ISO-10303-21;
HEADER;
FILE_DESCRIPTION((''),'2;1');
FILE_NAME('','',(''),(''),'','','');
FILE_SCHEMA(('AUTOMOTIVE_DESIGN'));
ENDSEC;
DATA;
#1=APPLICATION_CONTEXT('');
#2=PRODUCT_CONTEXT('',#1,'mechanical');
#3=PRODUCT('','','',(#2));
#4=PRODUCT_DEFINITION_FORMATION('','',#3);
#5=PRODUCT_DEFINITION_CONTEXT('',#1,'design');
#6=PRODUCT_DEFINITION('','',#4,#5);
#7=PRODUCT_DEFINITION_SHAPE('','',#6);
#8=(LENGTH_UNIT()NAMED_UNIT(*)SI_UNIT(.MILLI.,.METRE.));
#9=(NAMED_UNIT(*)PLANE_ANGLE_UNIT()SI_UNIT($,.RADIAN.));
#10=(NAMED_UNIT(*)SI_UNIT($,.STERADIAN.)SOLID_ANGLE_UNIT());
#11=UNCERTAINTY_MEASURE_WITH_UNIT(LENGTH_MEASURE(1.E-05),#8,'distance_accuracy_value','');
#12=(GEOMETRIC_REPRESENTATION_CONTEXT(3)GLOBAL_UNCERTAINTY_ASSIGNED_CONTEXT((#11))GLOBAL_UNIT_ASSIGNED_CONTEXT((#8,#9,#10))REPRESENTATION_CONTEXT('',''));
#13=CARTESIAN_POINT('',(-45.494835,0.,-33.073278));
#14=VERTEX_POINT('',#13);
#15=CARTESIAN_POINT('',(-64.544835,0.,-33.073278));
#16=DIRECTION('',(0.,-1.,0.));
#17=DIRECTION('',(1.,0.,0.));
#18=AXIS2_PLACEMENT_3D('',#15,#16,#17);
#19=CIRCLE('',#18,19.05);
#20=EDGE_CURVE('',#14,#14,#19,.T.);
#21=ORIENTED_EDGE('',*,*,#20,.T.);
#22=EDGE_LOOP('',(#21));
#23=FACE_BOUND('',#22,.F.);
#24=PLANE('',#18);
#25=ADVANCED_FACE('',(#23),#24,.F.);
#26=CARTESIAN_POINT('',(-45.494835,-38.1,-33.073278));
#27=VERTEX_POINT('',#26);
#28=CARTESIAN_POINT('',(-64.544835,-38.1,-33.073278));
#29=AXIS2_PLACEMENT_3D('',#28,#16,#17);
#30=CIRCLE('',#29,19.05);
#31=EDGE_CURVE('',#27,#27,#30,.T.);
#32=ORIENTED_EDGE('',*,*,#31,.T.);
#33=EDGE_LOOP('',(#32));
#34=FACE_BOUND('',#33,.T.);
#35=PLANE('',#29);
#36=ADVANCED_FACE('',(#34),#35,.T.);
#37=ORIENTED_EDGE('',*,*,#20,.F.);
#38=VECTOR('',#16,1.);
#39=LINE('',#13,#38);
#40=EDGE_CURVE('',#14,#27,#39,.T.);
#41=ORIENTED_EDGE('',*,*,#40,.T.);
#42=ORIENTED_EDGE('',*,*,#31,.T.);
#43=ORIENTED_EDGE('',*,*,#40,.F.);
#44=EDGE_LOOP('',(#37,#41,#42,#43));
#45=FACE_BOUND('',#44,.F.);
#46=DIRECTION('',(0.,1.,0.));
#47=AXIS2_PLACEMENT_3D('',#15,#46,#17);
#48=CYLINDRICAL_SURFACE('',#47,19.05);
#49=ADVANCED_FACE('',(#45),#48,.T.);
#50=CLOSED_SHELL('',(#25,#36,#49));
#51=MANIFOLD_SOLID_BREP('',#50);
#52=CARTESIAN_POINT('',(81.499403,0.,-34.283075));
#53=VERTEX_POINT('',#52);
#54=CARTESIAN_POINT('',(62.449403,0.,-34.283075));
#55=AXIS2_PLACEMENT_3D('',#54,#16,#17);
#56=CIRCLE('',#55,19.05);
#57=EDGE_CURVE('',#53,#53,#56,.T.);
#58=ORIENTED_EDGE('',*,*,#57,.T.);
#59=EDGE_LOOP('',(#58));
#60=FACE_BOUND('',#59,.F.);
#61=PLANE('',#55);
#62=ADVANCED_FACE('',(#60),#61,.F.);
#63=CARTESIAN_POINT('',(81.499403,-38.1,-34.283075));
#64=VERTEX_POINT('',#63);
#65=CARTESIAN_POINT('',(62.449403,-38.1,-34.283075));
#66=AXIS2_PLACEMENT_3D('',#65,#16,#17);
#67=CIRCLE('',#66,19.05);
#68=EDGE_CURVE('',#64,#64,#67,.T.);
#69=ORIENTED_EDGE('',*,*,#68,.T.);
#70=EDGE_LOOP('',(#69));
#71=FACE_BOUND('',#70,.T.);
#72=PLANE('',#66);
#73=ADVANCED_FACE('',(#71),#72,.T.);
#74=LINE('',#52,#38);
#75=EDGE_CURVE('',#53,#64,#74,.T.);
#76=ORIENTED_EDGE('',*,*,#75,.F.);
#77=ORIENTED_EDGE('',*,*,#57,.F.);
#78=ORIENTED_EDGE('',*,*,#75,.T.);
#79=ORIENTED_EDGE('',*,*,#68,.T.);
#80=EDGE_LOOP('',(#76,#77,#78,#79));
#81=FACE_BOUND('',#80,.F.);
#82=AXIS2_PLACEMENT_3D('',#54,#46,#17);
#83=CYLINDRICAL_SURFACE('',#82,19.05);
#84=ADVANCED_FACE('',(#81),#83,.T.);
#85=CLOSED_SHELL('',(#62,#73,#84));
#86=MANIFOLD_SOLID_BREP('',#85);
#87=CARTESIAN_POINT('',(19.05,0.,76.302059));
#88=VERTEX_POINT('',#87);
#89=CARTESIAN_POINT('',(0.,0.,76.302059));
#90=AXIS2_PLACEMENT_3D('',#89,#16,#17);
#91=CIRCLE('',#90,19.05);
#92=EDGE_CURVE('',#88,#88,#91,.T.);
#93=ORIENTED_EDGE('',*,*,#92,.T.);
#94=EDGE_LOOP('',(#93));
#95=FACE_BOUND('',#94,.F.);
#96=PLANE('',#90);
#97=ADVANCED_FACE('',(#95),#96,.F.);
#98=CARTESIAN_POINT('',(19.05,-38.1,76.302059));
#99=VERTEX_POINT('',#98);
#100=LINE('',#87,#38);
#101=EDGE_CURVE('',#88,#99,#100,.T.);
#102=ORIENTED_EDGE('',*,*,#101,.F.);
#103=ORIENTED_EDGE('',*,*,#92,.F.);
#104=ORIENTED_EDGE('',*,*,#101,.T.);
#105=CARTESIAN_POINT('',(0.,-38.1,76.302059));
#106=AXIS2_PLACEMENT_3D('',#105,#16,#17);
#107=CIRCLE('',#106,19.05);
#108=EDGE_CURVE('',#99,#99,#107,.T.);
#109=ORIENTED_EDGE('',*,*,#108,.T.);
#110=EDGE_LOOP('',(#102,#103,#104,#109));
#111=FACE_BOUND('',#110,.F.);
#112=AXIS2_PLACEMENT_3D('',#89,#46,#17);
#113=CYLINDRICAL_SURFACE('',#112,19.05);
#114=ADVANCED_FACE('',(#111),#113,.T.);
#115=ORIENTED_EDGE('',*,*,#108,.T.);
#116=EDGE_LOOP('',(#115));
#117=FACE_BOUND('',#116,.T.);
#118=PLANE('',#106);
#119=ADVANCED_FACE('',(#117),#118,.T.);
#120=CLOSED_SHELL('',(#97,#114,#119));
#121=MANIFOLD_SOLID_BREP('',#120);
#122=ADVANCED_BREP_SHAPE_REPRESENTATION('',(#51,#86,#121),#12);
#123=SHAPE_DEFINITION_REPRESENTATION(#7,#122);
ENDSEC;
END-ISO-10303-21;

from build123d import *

# Parameters (mm, degrees)
F0_R     = 19.05
F1_DEPTH = 38.1


with BuildPart() as f1:
    # F0 (on Front) → F1 (new body)
    with BuildSketch(Plane.XZ):
        with Locations((0, 76.302059)):
            Circle(F0_R)
        with Locations((-64.544835, -33.073278)):
            Circle(F0_R)
        with Locations((62.449403, -34.283075)):
            Circle(F0_R)
    extrude(amount=F1_DEPTH)


solid = f1.part
